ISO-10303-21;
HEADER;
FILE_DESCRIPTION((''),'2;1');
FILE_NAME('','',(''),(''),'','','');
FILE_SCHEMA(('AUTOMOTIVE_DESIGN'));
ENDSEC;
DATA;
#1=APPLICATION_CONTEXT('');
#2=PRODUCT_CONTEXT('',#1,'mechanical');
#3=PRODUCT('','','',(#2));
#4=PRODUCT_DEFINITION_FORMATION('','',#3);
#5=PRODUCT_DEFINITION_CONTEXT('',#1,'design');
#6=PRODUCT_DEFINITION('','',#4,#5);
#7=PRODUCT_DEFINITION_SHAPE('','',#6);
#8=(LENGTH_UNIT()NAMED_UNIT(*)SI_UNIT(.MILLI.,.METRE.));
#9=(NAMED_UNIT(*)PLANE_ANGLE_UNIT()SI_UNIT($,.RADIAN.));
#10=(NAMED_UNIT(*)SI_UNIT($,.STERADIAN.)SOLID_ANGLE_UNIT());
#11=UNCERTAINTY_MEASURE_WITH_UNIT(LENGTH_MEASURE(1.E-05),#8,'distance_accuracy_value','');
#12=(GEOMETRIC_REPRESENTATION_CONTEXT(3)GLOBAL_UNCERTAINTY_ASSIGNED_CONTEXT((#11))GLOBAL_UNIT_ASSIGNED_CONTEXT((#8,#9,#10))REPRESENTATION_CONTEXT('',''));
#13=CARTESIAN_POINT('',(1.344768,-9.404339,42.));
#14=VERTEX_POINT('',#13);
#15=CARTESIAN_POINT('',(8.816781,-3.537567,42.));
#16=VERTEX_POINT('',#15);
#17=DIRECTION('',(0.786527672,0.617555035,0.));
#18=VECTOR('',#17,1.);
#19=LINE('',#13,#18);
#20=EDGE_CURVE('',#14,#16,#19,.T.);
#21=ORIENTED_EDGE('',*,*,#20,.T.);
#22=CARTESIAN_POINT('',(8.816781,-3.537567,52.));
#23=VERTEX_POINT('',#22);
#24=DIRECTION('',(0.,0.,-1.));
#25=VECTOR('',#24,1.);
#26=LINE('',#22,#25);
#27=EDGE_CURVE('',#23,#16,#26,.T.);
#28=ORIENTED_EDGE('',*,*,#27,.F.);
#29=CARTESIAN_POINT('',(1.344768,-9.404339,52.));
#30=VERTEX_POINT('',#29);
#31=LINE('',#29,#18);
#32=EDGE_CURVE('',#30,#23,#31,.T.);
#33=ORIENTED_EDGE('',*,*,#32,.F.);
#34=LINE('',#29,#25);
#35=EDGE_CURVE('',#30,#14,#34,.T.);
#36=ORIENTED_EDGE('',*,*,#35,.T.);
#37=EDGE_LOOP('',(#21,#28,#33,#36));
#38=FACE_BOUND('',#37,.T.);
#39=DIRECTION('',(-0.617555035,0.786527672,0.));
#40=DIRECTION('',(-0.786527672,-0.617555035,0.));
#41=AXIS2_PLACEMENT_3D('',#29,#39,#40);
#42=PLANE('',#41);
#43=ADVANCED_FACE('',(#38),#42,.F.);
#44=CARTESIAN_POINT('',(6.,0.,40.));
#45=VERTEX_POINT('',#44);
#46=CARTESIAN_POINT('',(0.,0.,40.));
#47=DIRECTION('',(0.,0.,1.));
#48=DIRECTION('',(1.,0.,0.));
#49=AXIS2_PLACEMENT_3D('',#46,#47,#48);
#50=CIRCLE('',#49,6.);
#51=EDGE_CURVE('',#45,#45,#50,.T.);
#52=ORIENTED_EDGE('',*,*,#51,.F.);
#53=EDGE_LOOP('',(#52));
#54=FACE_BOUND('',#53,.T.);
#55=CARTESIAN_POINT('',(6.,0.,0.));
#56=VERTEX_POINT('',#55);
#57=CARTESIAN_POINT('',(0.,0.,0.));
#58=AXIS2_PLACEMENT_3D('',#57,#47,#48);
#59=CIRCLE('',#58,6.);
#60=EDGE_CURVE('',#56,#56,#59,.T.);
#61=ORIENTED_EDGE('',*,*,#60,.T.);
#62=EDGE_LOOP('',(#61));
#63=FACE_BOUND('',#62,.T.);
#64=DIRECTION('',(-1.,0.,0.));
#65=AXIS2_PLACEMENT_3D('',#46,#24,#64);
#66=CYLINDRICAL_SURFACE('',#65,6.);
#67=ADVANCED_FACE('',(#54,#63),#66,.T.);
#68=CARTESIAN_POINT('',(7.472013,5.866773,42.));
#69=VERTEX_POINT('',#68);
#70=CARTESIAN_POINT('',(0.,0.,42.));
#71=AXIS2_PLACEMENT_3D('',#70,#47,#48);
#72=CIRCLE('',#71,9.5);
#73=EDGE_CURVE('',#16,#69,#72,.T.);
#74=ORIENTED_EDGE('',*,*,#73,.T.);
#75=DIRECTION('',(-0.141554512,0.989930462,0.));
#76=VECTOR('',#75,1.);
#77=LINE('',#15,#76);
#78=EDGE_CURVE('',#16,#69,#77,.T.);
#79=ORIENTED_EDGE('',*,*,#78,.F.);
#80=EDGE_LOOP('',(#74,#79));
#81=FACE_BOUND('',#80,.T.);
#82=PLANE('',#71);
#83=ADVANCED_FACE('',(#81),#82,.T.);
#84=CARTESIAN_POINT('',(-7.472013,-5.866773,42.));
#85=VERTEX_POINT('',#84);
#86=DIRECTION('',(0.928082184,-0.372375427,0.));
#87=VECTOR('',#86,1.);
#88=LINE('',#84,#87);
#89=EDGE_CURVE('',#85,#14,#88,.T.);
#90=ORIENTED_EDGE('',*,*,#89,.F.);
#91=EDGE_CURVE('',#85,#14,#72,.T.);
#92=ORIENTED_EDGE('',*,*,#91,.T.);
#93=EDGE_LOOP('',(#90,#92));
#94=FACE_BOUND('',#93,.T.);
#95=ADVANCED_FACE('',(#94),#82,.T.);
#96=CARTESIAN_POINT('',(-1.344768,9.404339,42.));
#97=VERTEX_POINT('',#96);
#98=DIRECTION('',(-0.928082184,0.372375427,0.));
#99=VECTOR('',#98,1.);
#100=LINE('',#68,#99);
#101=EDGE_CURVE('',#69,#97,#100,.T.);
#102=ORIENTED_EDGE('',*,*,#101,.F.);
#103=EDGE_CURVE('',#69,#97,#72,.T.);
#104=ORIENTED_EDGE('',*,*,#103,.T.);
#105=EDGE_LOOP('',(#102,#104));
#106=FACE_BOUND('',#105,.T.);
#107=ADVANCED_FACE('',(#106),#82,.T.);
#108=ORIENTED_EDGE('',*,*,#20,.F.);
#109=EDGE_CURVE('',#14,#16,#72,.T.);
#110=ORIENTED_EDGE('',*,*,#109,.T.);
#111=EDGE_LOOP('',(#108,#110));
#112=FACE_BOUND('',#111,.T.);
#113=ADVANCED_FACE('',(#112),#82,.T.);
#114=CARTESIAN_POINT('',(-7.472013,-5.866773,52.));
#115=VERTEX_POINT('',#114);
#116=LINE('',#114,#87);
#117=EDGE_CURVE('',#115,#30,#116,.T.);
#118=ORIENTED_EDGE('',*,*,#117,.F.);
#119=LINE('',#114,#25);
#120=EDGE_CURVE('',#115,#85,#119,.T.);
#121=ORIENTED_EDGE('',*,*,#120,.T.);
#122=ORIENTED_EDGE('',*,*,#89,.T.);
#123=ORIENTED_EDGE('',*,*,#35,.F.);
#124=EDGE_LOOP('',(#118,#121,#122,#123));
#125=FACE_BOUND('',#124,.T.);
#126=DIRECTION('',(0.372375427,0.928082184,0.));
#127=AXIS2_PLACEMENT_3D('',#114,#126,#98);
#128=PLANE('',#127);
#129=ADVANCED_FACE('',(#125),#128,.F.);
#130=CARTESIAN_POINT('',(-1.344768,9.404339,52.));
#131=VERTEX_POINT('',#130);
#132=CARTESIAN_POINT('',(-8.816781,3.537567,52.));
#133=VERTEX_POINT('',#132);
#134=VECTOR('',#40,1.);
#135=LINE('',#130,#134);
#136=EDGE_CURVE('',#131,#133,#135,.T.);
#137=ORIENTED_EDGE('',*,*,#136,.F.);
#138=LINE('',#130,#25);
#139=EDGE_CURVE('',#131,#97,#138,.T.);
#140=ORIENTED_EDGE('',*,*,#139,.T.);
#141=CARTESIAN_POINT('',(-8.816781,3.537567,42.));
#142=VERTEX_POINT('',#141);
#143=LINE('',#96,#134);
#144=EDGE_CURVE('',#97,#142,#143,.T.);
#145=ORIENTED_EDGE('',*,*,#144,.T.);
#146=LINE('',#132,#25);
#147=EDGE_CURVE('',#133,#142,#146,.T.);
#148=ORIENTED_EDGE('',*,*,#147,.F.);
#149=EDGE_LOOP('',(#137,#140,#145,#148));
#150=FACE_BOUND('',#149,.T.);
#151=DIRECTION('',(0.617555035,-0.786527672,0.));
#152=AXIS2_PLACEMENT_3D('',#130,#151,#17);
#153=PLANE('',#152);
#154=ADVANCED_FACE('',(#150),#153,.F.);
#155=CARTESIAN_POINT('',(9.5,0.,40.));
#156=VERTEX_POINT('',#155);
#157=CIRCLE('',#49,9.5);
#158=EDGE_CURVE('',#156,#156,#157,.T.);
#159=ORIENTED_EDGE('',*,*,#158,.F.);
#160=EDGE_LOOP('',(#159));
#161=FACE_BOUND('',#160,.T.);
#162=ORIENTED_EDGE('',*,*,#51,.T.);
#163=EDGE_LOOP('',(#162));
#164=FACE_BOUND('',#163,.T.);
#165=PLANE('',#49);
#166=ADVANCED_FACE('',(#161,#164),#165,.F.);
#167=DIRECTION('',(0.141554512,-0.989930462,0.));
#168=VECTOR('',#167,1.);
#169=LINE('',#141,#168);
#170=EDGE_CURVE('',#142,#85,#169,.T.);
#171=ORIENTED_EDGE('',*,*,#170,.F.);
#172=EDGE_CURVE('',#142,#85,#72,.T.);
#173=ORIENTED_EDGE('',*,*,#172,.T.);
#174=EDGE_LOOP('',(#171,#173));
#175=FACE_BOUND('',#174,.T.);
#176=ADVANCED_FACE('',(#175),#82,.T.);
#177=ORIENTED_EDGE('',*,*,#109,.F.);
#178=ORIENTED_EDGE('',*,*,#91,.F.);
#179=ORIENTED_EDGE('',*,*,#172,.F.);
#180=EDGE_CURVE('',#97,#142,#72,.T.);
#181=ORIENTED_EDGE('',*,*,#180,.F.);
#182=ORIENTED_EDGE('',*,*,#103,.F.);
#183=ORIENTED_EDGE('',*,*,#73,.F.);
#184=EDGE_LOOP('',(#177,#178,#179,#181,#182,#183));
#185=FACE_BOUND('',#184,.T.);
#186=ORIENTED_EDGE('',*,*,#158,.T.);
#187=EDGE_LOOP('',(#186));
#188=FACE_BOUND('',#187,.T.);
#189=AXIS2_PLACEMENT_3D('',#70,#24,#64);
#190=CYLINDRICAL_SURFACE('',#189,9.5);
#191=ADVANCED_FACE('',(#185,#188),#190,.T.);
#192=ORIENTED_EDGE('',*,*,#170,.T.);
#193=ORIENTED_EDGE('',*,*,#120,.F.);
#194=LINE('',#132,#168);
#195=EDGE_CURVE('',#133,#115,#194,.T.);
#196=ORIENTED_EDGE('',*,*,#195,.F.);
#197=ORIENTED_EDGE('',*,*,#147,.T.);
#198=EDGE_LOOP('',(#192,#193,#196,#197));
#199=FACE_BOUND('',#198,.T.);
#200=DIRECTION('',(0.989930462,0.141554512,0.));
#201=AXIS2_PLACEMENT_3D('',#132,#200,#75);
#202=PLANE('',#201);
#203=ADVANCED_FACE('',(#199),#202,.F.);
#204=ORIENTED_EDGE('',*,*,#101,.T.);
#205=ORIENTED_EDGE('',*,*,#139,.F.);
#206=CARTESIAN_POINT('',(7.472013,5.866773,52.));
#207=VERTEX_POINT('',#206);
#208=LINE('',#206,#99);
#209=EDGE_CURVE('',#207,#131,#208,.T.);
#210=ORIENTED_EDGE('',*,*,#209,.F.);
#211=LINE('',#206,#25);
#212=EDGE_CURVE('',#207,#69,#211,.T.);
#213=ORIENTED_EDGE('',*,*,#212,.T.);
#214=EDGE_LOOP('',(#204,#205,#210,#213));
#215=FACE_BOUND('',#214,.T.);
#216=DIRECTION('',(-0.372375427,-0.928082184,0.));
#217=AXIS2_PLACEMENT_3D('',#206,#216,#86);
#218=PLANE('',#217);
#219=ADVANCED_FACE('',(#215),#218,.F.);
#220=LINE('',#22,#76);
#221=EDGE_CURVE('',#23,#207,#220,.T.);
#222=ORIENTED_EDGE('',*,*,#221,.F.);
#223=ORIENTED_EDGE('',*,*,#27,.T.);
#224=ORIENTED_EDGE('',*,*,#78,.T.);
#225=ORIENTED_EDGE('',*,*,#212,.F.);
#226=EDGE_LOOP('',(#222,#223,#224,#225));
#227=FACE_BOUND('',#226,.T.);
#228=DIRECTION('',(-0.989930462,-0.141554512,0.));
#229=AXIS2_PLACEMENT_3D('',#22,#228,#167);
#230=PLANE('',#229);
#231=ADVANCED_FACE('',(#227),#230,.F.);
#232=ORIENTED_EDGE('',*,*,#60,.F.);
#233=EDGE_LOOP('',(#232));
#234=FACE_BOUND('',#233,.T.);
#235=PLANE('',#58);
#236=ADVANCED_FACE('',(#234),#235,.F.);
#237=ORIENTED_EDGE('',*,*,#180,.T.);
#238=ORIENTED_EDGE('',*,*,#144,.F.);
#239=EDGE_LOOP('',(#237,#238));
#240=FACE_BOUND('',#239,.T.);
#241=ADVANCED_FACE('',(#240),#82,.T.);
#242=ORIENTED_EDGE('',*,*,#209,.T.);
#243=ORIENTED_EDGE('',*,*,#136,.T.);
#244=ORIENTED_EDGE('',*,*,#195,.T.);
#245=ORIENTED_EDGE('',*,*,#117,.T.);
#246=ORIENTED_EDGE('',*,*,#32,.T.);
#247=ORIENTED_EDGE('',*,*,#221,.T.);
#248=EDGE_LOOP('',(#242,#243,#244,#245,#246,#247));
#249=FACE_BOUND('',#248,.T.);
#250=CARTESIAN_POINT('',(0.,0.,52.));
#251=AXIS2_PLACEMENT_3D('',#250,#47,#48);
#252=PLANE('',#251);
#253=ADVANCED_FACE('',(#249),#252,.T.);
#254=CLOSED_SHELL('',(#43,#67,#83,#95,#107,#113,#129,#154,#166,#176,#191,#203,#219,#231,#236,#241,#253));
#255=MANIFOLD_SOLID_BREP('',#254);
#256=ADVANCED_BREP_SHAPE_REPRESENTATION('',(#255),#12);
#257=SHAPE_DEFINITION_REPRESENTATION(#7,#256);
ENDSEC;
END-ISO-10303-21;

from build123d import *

# Parameters (mm, degrees)
CROQUIS1_R              = 6
SALIENTE_EXTRUIR1_DEPTH = 40
CROQUIS2_R              = 9.5
SALIENTE_EXTRUIR2_DEPTH = 2
SALIENTE_EXTRUIR3_DEPTH = 10


with BuildPart() as part:
    # Croquis1 → Saliente-Extruir1 (new body)
    with BuildSketch(Plane.XY):
        Circle(CROQUIS1_R)
    extrude(amount=SALIENTE_EXTRUIR1_DEPTH)

    # Croquis2 → Saliente-Extruir2 (add)
    with BuildSketch(Plane.XY.offset(40)):
        Circle(CROQUIS2_R)
    extrude(amount=SALIENTE_EXTRUIR2_DEPTH)

    # Croquis3 → Saliente-Extruir3 (add)
    with BuildSketch(Plane.XY.offset(42)):
        Polygon((-1.344767868, 9.404339391), (-8.816780752, 3.53756656), (-7.472012885, -5.866772831), (1.344767868, -9.404339391), (8.816780752, -3.53756656), (7.472012885, 5.866772831), align=None)
    extrude(amount=SALIENTE_EXTRUIR3_DEPTH)


solid = part.part
